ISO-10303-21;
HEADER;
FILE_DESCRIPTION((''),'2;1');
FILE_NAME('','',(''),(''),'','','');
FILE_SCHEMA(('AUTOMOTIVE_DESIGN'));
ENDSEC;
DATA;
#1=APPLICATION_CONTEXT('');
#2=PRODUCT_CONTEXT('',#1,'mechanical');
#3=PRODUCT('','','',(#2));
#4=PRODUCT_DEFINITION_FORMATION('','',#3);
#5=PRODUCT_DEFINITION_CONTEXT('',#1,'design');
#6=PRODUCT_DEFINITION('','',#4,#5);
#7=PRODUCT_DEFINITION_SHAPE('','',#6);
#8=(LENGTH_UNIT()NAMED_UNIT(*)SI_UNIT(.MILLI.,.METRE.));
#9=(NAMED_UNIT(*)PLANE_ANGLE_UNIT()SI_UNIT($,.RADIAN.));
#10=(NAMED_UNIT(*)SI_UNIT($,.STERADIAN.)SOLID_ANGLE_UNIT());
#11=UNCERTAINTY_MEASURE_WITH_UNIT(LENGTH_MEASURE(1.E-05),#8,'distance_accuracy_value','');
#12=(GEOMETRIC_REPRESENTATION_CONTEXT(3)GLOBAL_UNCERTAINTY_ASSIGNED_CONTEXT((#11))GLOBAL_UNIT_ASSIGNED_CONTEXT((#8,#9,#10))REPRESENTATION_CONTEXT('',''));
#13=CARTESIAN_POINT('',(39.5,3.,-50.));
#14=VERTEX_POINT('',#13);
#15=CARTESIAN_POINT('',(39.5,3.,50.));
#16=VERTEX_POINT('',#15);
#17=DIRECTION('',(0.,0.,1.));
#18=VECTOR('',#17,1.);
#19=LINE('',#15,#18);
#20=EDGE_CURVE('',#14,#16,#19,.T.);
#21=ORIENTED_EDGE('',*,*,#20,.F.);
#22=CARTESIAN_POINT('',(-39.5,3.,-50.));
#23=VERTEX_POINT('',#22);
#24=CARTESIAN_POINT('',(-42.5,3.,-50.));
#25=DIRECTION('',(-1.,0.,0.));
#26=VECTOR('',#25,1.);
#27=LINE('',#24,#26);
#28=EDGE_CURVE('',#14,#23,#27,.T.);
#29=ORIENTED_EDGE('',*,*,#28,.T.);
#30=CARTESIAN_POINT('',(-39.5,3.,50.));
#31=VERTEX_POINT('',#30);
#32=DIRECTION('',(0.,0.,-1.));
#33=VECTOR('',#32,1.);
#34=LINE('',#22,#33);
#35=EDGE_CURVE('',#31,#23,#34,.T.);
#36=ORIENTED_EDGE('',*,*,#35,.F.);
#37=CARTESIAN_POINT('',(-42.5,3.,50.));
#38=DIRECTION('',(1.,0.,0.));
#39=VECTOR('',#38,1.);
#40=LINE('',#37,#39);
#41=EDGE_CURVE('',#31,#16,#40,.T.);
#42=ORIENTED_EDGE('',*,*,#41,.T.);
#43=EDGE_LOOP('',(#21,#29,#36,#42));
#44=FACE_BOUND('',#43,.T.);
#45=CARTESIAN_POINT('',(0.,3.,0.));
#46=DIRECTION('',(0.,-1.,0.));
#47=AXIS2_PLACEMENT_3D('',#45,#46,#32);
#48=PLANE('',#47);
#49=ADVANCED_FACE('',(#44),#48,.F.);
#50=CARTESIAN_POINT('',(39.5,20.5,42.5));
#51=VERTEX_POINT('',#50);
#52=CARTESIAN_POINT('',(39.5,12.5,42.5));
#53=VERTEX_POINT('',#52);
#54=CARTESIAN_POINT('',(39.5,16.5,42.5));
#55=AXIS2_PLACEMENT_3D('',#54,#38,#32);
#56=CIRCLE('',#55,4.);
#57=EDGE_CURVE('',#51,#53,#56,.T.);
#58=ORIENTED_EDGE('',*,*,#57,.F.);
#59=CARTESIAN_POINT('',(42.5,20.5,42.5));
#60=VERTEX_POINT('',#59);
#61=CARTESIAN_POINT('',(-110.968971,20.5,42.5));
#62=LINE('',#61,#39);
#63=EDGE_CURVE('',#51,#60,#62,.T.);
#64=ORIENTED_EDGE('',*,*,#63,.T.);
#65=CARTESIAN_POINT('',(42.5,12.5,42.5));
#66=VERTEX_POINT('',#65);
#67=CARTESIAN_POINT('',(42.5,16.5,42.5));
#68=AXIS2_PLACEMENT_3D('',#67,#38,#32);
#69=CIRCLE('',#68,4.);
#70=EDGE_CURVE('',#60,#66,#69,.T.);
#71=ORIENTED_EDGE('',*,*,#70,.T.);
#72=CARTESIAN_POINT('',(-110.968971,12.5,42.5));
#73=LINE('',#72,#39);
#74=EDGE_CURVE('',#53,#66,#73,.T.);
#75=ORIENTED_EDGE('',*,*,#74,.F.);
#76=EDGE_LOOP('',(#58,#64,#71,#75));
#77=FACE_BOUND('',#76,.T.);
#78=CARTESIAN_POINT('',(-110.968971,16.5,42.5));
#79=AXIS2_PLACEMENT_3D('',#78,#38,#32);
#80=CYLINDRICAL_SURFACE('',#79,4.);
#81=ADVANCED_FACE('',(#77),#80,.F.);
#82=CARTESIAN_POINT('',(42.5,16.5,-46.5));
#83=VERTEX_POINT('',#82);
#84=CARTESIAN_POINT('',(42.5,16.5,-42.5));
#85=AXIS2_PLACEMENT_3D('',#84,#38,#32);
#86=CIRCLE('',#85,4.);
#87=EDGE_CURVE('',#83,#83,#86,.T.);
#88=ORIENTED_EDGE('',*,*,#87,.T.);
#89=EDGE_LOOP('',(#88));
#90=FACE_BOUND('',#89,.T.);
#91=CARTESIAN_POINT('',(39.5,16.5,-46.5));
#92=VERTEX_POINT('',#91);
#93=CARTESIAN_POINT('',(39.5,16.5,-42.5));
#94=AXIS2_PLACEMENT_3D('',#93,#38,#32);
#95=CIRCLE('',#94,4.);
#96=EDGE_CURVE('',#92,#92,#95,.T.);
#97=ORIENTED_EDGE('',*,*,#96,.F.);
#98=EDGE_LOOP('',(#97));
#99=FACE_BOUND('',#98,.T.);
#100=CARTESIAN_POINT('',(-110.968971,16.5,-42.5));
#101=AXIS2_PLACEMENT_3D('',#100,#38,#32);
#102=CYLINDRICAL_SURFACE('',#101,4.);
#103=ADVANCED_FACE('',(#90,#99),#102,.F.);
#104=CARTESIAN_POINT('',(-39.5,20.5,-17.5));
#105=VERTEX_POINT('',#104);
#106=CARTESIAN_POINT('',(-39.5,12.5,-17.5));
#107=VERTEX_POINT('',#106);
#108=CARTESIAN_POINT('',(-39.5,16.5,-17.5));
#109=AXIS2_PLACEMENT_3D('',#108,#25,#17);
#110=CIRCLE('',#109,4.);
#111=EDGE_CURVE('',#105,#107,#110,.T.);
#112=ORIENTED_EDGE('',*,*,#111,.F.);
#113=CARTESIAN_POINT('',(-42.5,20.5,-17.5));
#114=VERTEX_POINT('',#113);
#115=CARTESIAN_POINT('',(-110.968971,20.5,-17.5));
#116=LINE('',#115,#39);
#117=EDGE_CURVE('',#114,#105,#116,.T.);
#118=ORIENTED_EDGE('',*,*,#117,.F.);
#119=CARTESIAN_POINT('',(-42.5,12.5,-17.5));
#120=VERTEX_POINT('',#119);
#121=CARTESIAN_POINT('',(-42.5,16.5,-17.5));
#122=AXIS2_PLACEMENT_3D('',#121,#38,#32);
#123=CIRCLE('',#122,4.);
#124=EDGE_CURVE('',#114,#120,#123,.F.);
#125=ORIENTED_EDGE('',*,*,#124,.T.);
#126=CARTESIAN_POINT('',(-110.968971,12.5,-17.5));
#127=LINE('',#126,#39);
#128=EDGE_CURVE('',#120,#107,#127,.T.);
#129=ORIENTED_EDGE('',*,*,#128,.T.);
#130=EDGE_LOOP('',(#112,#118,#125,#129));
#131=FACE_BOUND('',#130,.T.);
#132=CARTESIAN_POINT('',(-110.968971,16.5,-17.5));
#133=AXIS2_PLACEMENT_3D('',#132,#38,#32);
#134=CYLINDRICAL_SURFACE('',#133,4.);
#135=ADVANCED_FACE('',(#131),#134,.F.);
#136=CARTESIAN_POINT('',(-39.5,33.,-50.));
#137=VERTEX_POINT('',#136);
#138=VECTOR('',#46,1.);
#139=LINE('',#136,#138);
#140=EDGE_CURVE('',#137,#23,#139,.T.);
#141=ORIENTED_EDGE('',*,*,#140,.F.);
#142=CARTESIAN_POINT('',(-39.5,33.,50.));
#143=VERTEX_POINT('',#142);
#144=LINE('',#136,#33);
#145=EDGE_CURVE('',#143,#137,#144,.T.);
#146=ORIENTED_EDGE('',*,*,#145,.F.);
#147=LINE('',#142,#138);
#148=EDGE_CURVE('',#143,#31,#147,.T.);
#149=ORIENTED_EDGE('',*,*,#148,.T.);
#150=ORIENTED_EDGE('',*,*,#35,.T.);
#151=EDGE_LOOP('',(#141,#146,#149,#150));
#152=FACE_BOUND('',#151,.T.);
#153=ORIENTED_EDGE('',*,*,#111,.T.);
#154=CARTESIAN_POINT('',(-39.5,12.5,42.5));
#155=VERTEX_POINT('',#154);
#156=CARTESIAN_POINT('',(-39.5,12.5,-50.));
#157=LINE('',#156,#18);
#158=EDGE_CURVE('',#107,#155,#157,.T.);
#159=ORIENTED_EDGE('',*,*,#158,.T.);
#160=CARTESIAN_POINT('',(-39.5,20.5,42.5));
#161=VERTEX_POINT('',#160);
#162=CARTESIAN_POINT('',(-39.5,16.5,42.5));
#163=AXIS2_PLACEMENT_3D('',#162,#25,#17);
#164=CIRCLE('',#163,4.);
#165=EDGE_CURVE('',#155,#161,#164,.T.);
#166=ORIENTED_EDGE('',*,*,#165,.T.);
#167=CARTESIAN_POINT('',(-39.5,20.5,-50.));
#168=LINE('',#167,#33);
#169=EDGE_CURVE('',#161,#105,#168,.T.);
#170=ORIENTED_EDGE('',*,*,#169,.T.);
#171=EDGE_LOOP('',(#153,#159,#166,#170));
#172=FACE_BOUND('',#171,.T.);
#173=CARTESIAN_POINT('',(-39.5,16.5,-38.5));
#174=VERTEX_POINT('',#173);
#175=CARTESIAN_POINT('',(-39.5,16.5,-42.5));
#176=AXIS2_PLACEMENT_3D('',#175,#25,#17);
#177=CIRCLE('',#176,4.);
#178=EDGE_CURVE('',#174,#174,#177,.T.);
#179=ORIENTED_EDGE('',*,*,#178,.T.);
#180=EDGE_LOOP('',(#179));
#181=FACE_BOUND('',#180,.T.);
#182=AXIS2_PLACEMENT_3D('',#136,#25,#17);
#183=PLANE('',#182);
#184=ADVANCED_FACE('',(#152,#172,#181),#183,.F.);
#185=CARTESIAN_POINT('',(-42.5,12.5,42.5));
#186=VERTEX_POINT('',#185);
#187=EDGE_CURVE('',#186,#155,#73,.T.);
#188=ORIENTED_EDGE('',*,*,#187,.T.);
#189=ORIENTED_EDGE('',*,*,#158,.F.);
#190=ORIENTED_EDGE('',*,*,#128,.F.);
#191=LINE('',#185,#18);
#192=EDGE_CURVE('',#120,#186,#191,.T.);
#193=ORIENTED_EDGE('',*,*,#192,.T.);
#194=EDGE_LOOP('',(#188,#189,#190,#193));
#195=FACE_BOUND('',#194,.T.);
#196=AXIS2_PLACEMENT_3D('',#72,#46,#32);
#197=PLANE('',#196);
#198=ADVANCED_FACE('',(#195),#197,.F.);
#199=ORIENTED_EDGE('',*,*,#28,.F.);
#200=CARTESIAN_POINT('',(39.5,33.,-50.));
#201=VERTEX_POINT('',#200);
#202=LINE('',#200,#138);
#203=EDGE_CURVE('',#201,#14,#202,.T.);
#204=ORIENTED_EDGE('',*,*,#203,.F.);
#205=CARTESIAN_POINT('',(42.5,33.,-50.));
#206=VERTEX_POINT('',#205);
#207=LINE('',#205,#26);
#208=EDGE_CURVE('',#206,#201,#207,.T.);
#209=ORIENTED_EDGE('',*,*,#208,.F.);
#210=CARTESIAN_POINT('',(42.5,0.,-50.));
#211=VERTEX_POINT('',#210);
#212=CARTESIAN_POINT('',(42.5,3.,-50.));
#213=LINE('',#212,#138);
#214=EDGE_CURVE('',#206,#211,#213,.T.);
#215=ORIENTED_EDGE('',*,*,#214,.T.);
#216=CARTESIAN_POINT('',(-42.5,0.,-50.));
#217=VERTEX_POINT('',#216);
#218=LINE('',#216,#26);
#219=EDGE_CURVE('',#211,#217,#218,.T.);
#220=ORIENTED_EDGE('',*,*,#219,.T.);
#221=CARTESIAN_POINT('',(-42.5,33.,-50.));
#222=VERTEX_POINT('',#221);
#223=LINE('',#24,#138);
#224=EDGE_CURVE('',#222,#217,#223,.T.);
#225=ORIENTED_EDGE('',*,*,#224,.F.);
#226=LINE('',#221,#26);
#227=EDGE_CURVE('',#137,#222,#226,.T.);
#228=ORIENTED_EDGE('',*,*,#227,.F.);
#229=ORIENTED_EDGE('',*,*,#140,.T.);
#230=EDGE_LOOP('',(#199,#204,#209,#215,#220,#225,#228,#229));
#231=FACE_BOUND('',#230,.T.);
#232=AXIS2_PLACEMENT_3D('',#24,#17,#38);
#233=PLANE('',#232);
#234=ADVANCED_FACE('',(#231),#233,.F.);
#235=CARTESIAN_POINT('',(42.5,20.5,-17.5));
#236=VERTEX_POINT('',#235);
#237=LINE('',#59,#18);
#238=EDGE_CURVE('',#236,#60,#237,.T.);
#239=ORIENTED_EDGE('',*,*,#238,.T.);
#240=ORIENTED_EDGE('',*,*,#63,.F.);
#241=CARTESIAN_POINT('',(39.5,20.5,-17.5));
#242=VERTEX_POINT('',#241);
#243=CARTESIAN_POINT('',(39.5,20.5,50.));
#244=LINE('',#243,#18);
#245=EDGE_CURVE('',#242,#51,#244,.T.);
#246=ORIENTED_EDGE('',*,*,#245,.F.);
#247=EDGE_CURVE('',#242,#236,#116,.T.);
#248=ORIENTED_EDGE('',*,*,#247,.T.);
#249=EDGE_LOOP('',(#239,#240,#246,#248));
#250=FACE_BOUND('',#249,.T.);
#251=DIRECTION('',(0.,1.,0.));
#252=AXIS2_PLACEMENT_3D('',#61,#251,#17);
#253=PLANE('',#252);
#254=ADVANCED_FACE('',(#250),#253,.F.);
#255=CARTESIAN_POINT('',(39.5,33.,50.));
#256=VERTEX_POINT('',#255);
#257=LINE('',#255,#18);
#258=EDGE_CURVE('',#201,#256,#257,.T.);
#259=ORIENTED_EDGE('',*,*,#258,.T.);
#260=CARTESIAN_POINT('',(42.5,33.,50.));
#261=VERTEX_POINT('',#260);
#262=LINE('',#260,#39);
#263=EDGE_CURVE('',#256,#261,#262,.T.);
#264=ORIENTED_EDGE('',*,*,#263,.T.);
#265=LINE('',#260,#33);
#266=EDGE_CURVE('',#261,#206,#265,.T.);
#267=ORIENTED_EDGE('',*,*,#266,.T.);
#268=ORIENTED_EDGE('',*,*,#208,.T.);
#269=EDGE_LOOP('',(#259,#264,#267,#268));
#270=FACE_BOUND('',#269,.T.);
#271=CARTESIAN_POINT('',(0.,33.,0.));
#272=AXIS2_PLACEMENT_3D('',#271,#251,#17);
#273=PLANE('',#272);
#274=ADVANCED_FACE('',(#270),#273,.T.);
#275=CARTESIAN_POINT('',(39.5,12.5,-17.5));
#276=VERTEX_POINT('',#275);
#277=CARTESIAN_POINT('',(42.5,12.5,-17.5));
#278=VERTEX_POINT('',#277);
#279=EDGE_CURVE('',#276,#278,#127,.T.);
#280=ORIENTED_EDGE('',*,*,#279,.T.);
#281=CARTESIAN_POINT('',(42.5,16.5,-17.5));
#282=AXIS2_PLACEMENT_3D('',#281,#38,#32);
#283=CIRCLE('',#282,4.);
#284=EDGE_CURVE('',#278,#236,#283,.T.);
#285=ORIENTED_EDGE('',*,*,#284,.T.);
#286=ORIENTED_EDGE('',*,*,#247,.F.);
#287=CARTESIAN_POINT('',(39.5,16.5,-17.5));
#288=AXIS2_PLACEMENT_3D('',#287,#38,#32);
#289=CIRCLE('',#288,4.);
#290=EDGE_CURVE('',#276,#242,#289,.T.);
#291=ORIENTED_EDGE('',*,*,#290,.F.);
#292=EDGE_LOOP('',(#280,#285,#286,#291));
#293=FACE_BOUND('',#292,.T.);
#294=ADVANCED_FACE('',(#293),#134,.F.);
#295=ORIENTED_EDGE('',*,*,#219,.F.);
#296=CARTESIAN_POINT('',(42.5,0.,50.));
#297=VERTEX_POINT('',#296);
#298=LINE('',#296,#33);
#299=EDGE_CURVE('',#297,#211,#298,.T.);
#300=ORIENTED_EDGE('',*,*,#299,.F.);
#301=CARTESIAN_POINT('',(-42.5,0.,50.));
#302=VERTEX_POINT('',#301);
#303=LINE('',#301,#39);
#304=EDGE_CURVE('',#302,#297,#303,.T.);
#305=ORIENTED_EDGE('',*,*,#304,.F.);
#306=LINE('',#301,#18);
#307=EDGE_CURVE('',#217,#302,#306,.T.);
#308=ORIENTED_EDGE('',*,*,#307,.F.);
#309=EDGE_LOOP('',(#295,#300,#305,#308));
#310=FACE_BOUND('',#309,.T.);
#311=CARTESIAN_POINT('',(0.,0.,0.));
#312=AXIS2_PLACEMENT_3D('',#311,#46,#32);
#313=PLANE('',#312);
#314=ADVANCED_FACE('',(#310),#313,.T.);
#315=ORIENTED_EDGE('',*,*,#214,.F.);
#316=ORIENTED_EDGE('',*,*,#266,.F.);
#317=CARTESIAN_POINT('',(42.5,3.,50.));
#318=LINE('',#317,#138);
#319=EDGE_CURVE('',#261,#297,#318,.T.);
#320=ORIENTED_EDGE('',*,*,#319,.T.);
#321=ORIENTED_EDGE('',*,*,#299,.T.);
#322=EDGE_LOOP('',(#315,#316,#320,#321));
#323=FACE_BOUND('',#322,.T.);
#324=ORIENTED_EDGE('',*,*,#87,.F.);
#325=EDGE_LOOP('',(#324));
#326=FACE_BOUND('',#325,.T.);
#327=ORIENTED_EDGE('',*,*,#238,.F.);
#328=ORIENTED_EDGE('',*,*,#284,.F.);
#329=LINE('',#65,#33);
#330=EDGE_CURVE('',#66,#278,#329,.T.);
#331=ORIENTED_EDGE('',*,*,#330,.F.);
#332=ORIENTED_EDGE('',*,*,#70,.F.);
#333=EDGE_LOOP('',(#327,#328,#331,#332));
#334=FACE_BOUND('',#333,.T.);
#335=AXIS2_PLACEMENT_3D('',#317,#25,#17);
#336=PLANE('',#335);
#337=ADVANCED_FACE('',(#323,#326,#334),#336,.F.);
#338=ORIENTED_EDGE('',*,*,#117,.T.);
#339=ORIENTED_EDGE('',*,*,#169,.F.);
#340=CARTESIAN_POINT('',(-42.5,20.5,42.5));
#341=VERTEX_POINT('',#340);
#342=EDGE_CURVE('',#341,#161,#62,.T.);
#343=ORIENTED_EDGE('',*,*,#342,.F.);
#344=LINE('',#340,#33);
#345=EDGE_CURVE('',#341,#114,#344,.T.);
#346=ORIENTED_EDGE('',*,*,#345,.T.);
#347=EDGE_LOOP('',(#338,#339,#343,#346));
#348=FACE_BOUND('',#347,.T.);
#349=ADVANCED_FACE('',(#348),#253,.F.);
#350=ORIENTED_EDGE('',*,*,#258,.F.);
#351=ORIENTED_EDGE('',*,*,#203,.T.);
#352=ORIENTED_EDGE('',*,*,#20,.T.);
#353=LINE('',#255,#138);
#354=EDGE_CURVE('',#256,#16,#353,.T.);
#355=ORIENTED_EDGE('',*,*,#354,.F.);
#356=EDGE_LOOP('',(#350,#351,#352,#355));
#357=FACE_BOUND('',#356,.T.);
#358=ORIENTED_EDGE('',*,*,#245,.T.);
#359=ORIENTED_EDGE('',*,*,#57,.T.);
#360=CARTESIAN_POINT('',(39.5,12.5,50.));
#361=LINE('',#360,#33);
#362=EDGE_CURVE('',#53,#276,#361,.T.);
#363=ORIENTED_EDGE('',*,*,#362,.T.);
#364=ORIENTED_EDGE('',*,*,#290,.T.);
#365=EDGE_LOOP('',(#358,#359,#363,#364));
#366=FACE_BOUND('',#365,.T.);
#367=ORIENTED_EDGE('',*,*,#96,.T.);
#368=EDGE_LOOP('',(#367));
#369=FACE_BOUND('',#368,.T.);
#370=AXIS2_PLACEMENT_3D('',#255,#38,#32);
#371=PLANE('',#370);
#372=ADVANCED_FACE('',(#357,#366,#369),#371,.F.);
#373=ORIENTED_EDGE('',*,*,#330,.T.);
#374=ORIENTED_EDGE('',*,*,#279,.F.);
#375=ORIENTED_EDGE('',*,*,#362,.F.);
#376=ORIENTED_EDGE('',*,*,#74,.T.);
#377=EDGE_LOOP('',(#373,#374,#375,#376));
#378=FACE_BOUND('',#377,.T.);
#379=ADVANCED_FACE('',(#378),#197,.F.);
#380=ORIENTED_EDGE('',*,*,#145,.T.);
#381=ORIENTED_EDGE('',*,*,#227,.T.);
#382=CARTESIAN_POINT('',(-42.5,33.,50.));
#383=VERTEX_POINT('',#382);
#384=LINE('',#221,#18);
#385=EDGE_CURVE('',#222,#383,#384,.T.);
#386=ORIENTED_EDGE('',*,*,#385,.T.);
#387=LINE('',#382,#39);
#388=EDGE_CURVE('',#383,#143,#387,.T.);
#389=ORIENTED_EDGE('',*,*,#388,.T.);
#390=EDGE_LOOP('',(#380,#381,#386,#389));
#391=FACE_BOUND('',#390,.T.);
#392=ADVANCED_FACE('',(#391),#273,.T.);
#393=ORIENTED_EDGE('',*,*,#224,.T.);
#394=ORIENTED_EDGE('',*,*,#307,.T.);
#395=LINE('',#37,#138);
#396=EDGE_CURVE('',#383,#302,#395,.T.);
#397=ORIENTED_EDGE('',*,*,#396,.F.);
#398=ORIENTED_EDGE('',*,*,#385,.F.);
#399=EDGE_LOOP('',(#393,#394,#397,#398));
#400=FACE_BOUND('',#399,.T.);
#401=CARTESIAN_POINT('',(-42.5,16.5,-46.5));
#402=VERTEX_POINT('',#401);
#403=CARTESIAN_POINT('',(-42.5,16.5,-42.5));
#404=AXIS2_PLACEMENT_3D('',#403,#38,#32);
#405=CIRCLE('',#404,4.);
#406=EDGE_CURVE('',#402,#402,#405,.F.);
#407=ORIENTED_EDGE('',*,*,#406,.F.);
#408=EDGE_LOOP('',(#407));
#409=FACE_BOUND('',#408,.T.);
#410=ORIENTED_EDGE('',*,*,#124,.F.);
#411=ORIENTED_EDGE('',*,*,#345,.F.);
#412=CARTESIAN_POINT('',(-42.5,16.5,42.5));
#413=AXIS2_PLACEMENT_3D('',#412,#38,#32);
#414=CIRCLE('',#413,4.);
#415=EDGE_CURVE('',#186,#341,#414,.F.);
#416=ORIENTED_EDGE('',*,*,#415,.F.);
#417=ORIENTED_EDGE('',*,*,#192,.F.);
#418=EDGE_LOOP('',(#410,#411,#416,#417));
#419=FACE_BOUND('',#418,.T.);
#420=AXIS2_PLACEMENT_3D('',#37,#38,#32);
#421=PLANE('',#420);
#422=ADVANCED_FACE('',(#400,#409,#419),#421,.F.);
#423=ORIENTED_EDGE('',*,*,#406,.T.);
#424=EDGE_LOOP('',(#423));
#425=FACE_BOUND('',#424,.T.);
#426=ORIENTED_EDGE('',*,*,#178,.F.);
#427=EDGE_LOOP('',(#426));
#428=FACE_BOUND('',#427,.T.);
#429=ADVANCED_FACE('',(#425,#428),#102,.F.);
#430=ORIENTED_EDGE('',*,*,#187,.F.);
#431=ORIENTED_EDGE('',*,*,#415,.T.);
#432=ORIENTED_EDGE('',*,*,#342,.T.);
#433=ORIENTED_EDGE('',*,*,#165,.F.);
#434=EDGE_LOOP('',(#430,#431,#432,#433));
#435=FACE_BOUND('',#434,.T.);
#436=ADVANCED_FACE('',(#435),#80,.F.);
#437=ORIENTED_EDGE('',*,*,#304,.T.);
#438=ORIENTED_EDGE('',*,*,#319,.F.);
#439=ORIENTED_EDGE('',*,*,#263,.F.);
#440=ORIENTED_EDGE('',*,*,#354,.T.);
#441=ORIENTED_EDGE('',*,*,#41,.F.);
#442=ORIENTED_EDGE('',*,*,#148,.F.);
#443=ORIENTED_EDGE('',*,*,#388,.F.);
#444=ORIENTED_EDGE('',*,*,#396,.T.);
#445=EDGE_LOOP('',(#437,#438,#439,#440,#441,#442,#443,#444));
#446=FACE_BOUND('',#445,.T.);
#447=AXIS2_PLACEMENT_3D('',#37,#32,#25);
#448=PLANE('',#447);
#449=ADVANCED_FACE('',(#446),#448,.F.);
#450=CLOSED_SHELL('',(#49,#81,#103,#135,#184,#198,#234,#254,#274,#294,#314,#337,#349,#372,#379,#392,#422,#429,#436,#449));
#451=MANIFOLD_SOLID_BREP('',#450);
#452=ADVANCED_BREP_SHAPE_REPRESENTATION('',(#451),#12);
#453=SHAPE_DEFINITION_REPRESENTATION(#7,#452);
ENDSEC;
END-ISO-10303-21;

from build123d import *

# Parameters (mm, degrees)
SKETCH_1_W          = 85
SKETCH_1_H          = 100
EXTRUDE_1_DEPTH     = 3
SKETCH_2_W          = 3
SKETCH_2_H          = 100
EXTRUDE_2_DEPTH     = 30
CUT_EXTRUDE_1_REACH = 105.99
SKETCH_3_R          = 4


with BuildPart() as part:
    # 草图1 → 凸台-拉伸1 (new body)
    with BuildSketch(Plane(origin=(0, 0, 0), x_dir=(1, 0, 0), z_dir=(0, 1, 0))):
        Rectangle(SKETCH_1_W, SKETCH_1_H)
    extrude(amount=EXTRUDE_1_DEPTH)

    # 草图2 → 凸台-拉伸2 (add)
    with BuildSketch(Plane(origin=(0, 3, 0), x_dir=(1, 0, 0), z_dir=(0, 1, 0))):
        with Locations((-41, 0)):
            Rectangle(SKETCH_2_W, SKETCH_2_H)
        with Locations((41, 0)):
            Rectangle(SKETCH_2_W, SKETCH_2_H)
    extrude(amount=EXTRUDE_2_DEPTH)

    # 切除-拉伸1: up to this face of the body (flat: up to its plane)
    cut_extrude_1_end = Plane(part.part.faces().sort_by_distance((-42.5, 16.5, 0))[0])
    # 草图3 → 切除-拉伸1 (cut, up to the picked face)
    with BuildSketch(Plane(origin=(42.5, 0, 0), x_dir=(0, 0, -1), z_dir=(1, 0, 0)), mode=Mode.PRIVATE) as cut_extrude_1_sk1:
        with Locations((42.5, 16.5)):
            Circle(SKETCH_3_R)
    cut_extrude_1_tool1 = split(extrude(cut_extrude_1_sk1.sketch, amount=-CUT_EXTRUDE_1_REACH, mode=Mode.PRIVATE), bisect_by=cut_extrude_1_end, keep=Keep.BOTH, mode=Mode.PRIVATE)
    # 草图3 → 切除-拉伸1 (cut, up to the picked face)
    with BuildSketch(Plane(origin=(42.5, 0, 0), x_dir=(0, 0, -1), z_dir=(1, 0, 0)), mode=Mode.PRIVATE) as cut_extrude_1_sk2:
        with BuildLine():
            Line((-42.5, 12.5), (17.5, 12.5))
            ThreePointArc((17.5, 12.5), (21.5, 16.5), (17.5, 20.5))
            Line((17.5, 20.5), (-42.5, 20.5))
            ThreePointArc((-42.5, 20.5), (-46.5, 16.5), (-42.5, 12.5))
        make_face()
    cut_extrude_1_tool2 = split(extrude(cut_extrude_1_sk2.sketch, amount=-CUT_EXTRUDE_1_REACH, mode=Mode.PRIVATE), bisect_by=cut_extrude_1_end, keep=Keep.BOTH, mode=Mode.PRIVATE)
    add(cut_extrude_1_tool1.solids().sort_by(Axis((42.5, 16.5, -42.5), (-1, 0, 0)))[0], mode=Mode.SUBTRACT)
    add(cut_extrude_1_tool2.solids().sort_by(Axis((42.5, 16.5, 12.5), (-1, 0, 0)))[0], mode=Mode.SUBTRACT)


solid = part.part
